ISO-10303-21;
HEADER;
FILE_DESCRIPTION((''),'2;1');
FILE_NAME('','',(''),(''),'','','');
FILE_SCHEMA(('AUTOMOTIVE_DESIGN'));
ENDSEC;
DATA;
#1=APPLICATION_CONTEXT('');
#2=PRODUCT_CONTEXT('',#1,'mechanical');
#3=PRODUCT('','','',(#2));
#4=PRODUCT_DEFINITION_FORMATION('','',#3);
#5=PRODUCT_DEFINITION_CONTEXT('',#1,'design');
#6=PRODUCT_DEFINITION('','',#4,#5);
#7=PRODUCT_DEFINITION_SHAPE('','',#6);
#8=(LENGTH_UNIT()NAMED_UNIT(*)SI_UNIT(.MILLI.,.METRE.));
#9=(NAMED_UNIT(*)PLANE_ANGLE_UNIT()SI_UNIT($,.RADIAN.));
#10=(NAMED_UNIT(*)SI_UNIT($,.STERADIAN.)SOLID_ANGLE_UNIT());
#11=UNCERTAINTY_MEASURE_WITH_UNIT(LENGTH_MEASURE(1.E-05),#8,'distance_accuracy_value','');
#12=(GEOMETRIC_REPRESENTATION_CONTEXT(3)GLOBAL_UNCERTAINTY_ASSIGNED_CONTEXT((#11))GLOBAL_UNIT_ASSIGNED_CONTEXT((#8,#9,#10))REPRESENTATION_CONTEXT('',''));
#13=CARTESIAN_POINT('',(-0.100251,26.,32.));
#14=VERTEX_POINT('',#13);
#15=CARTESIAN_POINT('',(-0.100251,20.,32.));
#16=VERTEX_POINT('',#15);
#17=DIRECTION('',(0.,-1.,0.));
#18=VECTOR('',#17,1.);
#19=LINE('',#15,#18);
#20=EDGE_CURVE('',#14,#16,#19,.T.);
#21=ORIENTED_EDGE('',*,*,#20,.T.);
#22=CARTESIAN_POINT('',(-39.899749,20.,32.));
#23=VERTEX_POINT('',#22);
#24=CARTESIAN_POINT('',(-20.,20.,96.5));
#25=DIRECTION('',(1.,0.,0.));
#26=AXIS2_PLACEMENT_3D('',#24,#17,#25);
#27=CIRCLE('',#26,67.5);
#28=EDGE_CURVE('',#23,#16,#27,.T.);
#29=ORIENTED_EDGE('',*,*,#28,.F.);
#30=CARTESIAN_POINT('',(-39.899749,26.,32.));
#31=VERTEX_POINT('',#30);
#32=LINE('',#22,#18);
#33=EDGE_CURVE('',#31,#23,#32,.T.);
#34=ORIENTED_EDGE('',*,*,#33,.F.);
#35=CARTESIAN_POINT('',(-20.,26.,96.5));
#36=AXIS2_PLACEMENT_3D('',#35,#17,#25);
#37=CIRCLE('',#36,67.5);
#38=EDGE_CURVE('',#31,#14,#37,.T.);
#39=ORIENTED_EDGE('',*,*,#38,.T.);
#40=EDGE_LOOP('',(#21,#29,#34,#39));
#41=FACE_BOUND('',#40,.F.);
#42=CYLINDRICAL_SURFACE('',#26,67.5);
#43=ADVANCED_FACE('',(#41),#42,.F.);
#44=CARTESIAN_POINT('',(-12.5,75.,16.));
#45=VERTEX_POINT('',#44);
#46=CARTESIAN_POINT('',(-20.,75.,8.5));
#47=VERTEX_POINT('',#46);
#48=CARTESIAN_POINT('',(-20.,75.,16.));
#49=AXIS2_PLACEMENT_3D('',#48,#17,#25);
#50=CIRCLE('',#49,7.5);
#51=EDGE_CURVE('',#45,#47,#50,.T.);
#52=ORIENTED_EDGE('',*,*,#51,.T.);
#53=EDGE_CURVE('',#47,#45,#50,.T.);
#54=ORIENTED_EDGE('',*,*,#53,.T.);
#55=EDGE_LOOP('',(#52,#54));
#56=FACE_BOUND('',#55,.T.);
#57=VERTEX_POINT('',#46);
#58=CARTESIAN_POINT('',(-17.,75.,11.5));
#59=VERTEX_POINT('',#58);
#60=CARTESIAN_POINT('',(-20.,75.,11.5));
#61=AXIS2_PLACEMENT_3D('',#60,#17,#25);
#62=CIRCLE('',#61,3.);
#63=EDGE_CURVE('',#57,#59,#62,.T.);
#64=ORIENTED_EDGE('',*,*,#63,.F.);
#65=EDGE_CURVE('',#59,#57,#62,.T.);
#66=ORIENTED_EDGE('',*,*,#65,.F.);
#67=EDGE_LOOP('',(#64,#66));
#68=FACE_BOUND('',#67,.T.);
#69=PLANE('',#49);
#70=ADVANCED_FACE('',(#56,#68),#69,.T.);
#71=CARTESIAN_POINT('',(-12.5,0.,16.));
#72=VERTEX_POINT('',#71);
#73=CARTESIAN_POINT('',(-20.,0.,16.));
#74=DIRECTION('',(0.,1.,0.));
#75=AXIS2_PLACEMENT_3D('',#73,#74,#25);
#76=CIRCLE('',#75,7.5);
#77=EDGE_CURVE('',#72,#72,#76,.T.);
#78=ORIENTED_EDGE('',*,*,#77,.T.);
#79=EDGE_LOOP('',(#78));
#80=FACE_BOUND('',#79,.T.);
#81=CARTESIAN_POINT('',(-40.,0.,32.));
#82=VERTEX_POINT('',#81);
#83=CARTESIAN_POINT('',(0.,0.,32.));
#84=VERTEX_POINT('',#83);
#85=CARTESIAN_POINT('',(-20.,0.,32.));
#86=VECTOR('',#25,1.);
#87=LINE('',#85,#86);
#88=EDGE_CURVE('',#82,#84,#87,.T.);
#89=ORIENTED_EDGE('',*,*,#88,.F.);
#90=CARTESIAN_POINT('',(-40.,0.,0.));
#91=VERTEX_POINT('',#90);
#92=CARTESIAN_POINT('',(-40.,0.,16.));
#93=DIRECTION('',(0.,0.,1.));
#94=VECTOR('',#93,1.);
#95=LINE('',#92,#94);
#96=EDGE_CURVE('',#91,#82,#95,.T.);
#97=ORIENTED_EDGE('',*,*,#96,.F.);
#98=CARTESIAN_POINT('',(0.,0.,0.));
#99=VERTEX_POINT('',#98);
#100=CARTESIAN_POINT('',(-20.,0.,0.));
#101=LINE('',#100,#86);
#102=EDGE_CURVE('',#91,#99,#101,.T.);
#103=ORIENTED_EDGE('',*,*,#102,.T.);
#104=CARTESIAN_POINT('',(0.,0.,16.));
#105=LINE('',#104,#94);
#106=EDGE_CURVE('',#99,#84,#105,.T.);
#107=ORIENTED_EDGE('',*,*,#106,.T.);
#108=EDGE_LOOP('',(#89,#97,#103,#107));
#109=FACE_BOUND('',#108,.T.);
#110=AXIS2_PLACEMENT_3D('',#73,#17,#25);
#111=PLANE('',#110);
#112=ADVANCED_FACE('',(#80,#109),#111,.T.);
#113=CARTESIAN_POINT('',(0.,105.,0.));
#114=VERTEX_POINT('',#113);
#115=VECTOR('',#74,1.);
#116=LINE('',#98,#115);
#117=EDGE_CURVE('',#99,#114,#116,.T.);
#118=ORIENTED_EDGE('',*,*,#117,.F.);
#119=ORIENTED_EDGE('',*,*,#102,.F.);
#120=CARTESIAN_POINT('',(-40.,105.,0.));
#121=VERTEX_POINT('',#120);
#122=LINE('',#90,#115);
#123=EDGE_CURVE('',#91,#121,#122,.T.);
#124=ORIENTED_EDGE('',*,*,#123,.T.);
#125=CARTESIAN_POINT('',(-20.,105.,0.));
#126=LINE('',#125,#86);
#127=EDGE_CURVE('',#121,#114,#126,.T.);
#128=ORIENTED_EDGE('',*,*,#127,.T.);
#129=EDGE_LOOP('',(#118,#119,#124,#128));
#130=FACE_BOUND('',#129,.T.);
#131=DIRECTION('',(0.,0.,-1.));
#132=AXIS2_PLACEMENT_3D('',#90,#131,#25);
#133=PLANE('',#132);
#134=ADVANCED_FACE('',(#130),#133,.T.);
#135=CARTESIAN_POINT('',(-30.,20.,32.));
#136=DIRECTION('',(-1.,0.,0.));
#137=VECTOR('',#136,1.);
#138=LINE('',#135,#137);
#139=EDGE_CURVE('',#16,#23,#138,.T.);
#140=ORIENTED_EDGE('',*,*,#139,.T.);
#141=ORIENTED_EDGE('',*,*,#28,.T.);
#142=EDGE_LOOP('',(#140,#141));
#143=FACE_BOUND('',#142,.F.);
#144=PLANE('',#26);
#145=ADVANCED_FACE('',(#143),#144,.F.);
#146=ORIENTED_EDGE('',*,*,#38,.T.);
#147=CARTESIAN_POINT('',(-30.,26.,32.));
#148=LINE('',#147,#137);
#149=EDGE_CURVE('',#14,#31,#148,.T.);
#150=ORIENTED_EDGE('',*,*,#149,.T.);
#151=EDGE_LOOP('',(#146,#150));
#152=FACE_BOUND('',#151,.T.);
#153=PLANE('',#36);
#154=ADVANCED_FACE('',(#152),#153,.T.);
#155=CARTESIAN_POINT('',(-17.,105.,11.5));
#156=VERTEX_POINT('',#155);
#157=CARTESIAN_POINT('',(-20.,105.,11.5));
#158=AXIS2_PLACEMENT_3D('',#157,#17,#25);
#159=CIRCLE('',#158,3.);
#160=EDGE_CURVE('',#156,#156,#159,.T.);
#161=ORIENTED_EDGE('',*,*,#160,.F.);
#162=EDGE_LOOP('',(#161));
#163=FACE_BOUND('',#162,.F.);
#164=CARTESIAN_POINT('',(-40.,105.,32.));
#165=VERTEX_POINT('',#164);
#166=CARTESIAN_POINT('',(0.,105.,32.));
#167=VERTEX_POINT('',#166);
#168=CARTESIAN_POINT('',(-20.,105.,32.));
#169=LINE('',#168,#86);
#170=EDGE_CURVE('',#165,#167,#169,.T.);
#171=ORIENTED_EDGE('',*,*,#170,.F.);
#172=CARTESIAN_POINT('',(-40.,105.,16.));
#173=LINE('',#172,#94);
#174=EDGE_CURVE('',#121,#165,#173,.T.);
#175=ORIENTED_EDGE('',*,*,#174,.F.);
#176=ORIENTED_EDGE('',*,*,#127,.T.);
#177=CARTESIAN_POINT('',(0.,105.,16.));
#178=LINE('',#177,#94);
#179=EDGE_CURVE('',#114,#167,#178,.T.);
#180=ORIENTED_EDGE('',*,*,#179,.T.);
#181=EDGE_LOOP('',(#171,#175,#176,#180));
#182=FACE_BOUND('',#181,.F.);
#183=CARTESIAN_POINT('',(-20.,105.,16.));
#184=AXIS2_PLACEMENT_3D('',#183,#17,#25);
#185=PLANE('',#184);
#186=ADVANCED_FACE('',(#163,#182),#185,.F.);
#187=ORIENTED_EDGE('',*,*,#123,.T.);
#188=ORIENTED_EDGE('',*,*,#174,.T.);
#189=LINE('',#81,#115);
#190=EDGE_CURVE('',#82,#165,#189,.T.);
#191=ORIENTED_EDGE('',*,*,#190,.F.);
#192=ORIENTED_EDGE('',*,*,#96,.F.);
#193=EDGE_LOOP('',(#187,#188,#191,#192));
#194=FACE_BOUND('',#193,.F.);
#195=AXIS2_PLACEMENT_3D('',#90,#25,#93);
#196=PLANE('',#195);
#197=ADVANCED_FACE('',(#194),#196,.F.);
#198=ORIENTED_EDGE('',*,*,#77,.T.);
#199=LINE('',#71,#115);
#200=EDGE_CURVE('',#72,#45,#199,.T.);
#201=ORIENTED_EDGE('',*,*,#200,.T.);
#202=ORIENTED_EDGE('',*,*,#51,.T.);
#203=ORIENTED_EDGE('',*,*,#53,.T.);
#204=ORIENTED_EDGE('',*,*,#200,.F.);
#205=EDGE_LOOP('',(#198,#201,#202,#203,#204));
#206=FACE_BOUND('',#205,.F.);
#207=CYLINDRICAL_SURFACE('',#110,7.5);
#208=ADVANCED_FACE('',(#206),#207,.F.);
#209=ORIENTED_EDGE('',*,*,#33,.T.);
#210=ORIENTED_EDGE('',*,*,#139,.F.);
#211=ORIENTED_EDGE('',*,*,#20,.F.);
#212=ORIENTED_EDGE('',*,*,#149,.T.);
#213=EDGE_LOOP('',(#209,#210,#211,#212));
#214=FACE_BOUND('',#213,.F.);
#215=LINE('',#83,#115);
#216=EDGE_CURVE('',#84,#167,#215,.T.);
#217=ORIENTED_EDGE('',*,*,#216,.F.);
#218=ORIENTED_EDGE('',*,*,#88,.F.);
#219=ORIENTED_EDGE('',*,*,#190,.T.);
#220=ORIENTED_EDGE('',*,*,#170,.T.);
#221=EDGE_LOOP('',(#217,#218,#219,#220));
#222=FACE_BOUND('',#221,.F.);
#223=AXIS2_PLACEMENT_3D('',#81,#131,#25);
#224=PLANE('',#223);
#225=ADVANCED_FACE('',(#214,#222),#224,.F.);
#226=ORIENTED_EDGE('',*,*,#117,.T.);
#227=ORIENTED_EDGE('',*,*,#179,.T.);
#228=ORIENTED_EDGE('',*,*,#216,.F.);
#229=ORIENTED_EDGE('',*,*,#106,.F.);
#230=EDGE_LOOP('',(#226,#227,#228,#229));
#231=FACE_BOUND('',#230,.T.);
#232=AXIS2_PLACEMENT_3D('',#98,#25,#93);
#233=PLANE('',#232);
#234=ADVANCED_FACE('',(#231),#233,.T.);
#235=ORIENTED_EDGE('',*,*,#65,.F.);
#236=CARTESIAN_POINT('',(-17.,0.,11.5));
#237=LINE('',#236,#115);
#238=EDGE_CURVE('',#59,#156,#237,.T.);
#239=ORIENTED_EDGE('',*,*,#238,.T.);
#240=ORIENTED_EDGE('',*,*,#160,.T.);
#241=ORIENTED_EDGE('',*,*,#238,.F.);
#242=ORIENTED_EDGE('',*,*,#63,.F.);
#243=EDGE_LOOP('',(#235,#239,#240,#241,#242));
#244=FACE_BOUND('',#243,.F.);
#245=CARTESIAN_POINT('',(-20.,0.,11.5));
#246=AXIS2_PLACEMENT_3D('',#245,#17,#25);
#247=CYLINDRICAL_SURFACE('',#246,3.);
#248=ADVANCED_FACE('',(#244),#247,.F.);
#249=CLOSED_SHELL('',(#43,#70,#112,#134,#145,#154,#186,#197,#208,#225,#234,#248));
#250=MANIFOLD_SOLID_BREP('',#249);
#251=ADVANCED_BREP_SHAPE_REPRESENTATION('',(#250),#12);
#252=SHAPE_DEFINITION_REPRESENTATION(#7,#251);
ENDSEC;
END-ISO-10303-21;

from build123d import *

# Parameters (mm, degrees)
F0_W     = 40
F0_H     = 32
F1_DEPTH = 105
F2_R     = 7.5
F3_DEPTH = 75
F4_R     = 3
F5_DEPTH = 105.001
F7_R     = 67.5
F8_DEPTH = 6


with BuildPart() as f1:
    # F0 (on Front) → F1 (new body)
    with BuildSketch(Plane.XZ):
        with Locations((-20, 16)):
            Rectangle(F0_W, F0_H)
    extrude(amount=-F1_DEPTH)

    # F2 (on face) → F3 (cut)
    with BuildSketch(Plane.XZ):
        with Locations((-20, 16)):
            Circle(F2_R)
    extrude(amount=-F3_DEPTH, mode=Mode.SUBTRACT)

    # F4 (on Front) → F5 (cut, through all)
    with BuildSketch(Plane.XZ):
        with Locations((-20, 11.5)):
            Circle(F4_R)
    extrude(amount=-F5_DEPTH, mode=Mode.SUBTRACT)

    # F7 (on offset) → F8 (cut)
    with BuildSketch(Plane.XZ.offset(-20)):
        with Locations((-20, 96.5)):
            Circle(F7_R)
    extrude(amount=-F8_DEPTH, mode=Mode.SUBTRACT)


solid = f1.part
